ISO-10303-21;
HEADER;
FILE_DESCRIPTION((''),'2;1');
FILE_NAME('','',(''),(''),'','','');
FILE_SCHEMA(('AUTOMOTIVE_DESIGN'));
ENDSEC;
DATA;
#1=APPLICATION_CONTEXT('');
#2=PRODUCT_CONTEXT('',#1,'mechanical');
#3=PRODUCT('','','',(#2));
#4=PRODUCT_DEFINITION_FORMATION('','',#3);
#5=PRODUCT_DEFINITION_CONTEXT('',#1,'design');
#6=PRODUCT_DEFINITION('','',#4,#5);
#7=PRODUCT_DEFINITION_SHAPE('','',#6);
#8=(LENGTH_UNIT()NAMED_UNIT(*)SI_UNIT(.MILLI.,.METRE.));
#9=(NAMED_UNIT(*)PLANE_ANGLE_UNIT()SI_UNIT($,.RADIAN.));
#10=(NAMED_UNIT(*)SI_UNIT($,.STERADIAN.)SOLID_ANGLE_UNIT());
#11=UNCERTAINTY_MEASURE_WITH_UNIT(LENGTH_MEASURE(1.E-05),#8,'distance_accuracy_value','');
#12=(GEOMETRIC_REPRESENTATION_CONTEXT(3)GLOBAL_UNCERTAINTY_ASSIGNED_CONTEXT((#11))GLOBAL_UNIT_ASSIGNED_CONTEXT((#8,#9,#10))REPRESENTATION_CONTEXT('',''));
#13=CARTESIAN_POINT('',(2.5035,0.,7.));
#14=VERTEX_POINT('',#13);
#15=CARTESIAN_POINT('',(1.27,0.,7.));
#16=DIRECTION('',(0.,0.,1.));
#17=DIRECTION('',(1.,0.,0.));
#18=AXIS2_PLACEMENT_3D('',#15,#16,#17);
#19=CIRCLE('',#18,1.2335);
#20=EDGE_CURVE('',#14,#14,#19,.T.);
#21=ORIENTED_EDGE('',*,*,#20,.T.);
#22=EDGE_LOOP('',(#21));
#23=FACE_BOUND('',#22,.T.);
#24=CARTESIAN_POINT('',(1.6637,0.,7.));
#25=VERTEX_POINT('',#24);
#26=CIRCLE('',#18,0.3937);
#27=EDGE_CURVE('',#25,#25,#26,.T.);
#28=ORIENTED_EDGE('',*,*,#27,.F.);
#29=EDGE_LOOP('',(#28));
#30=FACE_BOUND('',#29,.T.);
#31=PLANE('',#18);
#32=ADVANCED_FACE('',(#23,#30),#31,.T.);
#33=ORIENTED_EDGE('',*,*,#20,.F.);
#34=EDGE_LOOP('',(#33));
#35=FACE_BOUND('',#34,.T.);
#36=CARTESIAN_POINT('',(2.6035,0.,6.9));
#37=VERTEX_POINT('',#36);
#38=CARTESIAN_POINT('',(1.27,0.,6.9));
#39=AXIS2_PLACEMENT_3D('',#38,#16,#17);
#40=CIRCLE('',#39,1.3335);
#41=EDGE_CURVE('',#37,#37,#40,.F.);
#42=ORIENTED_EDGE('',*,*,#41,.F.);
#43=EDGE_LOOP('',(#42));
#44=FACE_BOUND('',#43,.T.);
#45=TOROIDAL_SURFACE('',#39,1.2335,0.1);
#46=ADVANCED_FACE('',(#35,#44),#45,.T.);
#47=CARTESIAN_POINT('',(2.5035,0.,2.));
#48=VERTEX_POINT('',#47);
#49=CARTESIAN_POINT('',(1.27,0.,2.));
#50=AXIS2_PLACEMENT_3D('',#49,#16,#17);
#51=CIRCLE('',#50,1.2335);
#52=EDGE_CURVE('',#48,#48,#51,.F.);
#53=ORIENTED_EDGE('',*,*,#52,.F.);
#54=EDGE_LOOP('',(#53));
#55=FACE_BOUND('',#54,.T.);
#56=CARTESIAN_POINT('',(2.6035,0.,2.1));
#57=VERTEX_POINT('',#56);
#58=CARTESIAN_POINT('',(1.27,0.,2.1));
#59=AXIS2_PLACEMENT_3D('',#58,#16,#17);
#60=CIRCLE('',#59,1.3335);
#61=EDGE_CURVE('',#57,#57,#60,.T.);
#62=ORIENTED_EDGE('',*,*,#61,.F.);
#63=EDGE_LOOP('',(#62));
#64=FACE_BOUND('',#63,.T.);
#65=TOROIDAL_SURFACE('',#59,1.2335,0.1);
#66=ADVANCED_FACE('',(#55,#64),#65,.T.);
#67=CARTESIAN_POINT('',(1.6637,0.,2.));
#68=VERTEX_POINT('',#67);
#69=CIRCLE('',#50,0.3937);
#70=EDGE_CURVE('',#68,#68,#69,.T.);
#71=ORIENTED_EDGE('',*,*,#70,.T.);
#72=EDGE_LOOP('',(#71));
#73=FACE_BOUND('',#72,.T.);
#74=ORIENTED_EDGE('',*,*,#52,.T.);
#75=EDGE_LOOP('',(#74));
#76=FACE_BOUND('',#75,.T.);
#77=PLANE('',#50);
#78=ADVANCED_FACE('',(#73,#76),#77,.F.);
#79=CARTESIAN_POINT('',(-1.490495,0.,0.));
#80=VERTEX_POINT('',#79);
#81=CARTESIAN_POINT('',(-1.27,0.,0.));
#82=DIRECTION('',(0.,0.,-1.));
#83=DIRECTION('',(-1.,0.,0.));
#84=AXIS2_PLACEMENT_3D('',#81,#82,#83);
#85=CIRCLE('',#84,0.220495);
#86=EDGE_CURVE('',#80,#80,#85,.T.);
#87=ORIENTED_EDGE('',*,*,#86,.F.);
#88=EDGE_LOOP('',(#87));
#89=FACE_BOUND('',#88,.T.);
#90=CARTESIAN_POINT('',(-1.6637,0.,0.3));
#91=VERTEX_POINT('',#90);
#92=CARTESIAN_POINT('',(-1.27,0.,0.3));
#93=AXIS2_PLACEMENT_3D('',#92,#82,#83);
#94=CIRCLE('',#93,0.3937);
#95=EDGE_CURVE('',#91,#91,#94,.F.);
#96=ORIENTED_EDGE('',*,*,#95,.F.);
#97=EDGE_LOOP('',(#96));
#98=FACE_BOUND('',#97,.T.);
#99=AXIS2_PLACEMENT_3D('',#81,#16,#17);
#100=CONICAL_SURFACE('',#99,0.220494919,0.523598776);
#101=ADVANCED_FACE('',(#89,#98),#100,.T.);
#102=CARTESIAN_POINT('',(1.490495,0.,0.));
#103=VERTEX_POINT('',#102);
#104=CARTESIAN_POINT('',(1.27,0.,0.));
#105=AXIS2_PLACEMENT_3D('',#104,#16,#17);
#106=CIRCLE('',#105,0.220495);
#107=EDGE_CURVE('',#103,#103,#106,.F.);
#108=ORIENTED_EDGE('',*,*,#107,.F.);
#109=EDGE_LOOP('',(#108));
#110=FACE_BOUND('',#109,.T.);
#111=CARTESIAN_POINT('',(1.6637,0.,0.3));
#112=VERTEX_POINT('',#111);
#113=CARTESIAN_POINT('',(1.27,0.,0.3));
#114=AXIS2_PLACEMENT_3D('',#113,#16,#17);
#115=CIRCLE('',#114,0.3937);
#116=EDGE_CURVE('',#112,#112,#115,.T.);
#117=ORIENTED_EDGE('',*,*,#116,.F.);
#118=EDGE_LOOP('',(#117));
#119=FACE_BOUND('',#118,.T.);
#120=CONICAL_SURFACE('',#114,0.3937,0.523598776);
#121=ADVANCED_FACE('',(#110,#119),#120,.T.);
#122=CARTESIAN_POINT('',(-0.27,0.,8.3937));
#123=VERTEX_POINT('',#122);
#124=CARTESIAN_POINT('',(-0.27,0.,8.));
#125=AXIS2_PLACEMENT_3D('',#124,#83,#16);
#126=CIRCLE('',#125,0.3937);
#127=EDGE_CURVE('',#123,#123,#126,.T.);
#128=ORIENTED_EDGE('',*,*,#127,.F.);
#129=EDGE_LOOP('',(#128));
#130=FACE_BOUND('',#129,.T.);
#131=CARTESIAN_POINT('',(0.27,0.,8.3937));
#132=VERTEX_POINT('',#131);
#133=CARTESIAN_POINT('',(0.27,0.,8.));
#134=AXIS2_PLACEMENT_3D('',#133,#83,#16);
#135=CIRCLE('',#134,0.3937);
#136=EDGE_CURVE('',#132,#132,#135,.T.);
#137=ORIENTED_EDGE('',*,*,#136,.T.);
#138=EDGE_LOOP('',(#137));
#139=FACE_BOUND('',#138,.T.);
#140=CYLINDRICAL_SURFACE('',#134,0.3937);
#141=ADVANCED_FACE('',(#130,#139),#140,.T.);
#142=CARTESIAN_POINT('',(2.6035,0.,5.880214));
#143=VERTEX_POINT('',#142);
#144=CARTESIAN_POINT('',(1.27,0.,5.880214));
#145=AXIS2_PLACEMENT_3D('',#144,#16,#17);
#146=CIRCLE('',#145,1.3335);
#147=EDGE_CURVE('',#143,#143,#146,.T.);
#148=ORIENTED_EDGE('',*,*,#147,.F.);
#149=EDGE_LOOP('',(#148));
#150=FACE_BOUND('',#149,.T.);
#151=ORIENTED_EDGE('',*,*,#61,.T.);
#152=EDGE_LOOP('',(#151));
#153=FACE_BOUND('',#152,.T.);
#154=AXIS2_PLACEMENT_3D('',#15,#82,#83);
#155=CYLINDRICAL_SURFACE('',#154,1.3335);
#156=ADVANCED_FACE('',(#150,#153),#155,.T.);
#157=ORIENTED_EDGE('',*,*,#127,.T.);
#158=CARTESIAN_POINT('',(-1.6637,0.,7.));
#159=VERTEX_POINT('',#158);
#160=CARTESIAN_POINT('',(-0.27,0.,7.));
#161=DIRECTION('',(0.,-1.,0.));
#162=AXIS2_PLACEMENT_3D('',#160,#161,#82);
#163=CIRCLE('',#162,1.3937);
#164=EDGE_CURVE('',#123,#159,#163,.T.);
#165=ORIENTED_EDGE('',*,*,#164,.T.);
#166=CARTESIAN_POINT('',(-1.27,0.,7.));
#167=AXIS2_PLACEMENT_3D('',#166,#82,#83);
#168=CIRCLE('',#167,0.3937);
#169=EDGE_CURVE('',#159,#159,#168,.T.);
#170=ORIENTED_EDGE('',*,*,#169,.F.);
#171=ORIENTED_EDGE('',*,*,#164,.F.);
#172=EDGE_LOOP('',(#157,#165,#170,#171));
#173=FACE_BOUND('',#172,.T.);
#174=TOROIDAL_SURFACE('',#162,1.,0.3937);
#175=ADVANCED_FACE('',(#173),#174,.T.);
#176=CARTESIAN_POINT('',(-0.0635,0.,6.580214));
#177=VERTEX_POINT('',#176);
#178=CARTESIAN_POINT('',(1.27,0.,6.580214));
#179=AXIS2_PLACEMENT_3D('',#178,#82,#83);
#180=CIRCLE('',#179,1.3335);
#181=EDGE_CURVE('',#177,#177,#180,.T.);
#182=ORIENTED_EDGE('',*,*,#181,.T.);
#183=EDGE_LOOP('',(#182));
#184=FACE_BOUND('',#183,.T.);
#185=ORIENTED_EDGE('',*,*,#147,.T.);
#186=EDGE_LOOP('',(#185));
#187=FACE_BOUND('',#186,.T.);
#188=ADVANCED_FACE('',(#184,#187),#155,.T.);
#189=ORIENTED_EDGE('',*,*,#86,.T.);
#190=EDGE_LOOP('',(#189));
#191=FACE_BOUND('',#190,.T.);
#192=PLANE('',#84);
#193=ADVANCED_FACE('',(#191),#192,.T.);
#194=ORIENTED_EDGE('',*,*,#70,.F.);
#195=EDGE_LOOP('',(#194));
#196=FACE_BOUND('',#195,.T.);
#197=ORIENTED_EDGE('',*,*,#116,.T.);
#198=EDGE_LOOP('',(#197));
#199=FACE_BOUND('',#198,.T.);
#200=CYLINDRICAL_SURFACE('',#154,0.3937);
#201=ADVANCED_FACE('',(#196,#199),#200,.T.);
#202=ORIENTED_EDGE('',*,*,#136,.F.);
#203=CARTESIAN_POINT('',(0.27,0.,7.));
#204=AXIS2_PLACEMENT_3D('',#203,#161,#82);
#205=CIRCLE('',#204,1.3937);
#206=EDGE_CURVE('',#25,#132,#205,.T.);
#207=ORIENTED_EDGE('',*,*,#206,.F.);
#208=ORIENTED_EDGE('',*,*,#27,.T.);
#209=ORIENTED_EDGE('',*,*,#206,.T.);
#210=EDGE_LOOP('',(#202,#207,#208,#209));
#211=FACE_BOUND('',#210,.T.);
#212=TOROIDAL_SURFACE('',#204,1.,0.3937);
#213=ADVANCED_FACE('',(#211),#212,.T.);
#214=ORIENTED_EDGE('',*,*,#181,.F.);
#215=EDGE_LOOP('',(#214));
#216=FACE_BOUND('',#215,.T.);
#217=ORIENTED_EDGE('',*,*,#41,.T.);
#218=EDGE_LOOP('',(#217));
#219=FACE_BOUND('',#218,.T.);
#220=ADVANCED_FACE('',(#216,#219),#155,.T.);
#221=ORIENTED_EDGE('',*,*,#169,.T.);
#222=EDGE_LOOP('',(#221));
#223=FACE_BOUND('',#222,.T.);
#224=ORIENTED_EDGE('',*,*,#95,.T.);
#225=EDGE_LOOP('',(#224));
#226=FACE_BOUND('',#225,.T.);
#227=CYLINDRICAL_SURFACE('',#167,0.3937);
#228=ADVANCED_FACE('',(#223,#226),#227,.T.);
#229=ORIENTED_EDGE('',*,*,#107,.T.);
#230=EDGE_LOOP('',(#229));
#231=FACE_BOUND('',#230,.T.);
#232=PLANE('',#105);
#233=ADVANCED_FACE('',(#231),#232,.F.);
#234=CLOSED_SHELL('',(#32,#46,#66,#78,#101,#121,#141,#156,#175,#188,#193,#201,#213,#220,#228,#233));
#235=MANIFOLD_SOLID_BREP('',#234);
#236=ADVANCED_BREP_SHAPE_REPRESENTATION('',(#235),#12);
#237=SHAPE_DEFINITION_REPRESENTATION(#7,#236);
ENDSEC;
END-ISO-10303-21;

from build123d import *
from OCP.BRepFilletAPI import BRepFilletAPI_MakeChamfer

# Parameters (mm, degrees)
SKETCH1_R      = 0.3937
CHAMFER1_SIZE  = 0.3
CHAMFER1_SIZE2 = 0.173205081
SKETCH4_R      = 1.3335
EXTRUDE2_DEPTH = 5
FILLET2_R      = 0.1


with BuildPart() as part:
    # Sweep1: sweep along a path in Sketch3
    with BuildLine(Plane(origin=(0, 0, 0), x_dir=(1, 0, 0), z_dir=(0, 1, 0))) as sweep1_path:
        Line((1.27, 0), (1.27, -7))
        ThreePointArc((1.27, -7), (0.977106781, -7.707106781), (0.27, -8))
        Line((0.27, -8), (-0.27, -8))
        ThreePointArc((-0.27, -8), (-0.977106781, -7.707106781), (-1.27, -7))
        Line((-1.27, -7), (-1.27, 0))
    # Sketch1 → Sweep1 (sweep)
    with BuildSketch(Plane.XY):
        with Locations((1.27, 0)):
            Circle(SKETCH1_R)
    sweep(path=sweep1_path.line)

    # Chamfer1: one chamfer whose edges measure the first distance from different faces: ONE call of the kernel's chamfer builder (chamfer() names one face for all edges)
    chamfer1_edges_1 = [part.edges().sort_by_distance(p)[0] for p in [
        (0.8763, 0, 0),
    ]]
    chamfer1_side_1 = [part.faces().sort_by_distance(p)[0] for p in [
        (0.8763, 0, 3.5),
    ]]
    chamfer1_edges_2 = [part.edges().sort_by_distance(p)[0] for p in [
        (-0.8763, 0, 0),
    ]]
    chamfer1_side_2 = [part.faces().sort_by_distance(p)[0] for p in [
        (-0.8763, 0, 3.5),
    ]]
    chamfer1 = BRepFilletAPI_MakeChamfer(part.part.solid().wrapped)
    for e in chamfer1_edges_1:
        chamfer1.Add(CHAMFER1_SIZE, CHAMFER1_SIZE2, e.wrapped, chamfer1_side_1[0].wrapped)  # the first distance lies on this face
    for e in chamfer1_edges_2:
        chamfer1.Add(CHAMFER1_SIZE, CHAMFER1_SIZE2, e.wrapped, chamfer1_side_2[0].wrapped)  # the first distance lies on this face
    add(Compound.cast(chamfer1.Shape()), mode=Mode.REPLACE)

    # Sketch4 → Extrude2 (add)
    with BuildSketch(Plane.XY.offset(2)):
        with Locations((1.27, 0)):
            Circle(SKETCH4_R)
    extrude(amount=EXTRUDE2_DEPTH)

    # Fillet2
    fillet2_edges = [part.edges().sort_by_distance(p)[0] for p in [
        (-0.0635, 0, 7),
        (-0.0635, 0, 2),
    ]]
    fillet(fillet2_edges, radius=FILLET2_R)


solid = part.part
